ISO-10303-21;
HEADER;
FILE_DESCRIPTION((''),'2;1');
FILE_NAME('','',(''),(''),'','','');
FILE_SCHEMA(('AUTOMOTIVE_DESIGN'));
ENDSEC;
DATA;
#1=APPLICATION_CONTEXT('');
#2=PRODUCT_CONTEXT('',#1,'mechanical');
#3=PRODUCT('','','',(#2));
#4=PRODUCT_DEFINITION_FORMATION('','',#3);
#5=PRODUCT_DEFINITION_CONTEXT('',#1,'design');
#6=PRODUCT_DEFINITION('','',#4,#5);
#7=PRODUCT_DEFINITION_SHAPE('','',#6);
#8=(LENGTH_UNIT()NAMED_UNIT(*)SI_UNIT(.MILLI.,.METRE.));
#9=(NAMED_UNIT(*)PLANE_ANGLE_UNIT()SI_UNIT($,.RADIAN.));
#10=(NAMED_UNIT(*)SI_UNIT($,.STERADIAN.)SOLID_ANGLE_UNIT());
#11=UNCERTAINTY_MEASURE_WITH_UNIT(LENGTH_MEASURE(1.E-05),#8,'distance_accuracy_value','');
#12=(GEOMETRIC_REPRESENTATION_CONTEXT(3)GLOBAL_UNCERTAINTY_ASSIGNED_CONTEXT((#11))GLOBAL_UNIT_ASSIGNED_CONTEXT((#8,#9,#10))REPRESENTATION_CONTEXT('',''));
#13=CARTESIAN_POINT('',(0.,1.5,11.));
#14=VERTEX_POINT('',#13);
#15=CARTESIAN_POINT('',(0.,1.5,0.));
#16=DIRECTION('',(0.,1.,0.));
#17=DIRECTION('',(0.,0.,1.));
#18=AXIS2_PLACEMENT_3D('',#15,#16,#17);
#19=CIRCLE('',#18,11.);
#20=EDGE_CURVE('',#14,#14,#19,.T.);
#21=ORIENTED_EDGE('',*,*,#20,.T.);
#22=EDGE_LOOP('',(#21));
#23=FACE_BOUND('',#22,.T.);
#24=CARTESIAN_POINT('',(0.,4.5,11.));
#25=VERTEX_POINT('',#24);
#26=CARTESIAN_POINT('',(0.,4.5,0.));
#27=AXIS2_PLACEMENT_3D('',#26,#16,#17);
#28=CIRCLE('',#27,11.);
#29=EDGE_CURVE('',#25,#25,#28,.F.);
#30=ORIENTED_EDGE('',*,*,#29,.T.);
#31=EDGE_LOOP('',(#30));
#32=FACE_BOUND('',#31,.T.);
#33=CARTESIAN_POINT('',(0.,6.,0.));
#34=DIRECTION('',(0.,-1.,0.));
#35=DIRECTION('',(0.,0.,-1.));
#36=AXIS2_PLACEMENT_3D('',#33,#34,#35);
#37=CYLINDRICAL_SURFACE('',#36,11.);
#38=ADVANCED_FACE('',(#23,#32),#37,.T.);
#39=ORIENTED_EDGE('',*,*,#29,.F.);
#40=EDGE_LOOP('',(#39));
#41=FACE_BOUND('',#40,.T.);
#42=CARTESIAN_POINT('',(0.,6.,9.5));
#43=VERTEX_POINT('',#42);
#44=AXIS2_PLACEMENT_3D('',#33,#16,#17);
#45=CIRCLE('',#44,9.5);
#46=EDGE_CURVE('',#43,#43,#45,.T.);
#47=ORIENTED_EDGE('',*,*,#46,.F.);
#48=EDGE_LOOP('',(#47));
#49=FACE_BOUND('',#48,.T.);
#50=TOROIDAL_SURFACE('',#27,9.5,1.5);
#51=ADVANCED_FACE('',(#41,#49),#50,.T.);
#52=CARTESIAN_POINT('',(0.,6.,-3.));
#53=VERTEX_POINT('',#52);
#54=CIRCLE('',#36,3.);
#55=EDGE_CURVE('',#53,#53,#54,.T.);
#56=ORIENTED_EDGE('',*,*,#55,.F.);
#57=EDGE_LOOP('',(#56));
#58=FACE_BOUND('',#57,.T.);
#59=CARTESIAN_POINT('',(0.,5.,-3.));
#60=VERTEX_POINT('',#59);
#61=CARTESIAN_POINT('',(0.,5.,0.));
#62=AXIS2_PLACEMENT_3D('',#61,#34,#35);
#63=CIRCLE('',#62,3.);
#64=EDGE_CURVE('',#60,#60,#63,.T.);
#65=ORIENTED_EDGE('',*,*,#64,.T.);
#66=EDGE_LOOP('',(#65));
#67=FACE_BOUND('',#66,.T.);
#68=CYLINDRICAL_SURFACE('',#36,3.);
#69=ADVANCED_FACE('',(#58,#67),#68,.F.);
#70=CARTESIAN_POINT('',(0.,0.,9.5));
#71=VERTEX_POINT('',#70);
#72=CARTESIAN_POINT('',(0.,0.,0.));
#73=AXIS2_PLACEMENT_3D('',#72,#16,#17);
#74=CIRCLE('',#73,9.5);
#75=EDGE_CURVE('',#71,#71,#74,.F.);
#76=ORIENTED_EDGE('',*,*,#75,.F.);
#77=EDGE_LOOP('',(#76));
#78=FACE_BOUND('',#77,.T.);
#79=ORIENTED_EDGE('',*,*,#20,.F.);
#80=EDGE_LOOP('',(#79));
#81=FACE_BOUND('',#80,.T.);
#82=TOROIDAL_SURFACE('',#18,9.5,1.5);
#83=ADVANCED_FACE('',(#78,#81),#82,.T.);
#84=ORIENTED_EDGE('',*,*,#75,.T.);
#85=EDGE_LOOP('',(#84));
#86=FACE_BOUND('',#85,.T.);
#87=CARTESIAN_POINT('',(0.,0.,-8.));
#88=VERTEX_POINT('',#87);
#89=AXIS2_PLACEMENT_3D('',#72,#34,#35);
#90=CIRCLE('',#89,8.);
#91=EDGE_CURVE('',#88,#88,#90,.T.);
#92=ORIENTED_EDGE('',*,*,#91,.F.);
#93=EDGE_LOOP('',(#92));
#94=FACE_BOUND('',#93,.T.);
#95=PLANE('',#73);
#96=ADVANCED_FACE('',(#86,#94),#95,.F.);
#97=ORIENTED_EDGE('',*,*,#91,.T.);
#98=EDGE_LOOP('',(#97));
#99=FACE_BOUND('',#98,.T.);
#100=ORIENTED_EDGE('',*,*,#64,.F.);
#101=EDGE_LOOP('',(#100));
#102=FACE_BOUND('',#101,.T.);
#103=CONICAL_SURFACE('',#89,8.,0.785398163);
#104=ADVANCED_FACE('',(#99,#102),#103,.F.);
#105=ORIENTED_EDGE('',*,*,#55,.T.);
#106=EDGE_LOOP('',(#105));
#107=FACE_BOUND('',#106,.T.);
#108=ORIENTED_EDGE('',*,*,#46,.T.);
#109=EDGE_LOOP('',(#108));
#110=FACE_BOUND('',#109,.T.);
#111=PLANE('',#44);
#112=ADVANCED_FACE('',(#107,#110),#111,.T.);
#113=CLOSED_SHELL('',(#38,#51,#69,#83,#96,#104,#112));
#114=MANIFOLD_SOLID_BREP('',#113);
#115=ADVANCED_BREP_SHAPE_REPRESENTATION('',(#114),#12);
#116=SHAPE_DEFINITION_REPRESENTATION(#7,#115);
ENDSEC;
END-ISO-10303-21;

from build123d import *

# Parameters (mm, degrees)
ESBO_O1_R                = 11
RESSALTO_EXTRUS_O1_DEPTH = 6
ESBO_O10_R               = 8
CORTE_EXTRUS_O4_DEPTH    = 5
CORTE_EXTRUS_O4_DRAFT    = -45
ESBO_O11_R               = 3
CORTE_EXTRUS_O5_DEPTH    = 17.340134638
FILETE4_R                = 1.5
FILETE5_R                = 1.5


with BuildPart() as part:
    # Esboço1 → Ressalto-extrusão1 (new body)
    with BuildSketch(Plane(origin=(0, 0, 0), x_dir=(1, 0, 0), z_dir=(0, 1, 0))):
        with Locations(Location((0, 0, 0), (0, 0, 270))):
            Circle(ESBO_O1_R)
    extrude(amount=RESSALTO_EXTRUS_O1_DEPTH)


with BuildPart() as corte_extrus_o4_tool:
    # Esboço10 → Corte-extrusão4 (with draft: the straight prism first)
    with BuildSketch(Plane.XZ):
        Circle(ESBO_O10_R)
    extrude(amount=-CORTE_EXTRUS_O4_DEPTH)
    # Corte-extrusão4: the draft: its side faces are tilted about the plane it starts from
    corte_extrus_o4_sides = [corte_extrus_o4_tool.faces().sort_by_distance(p)[0] for p in [
        (-8, 2.5, 0),
    ]]
    draft(corte_extrus_o4_sides, Plane.XZ, CORTE_EXTRUS_O4_DRAFT)


with BuildPart() as part_1:
    add(part.part)

    # Corte-extrusão4: cut by corte_extrus_o4_tool
    add(corte_extrus_o4_tool.part, mode=Mode.SUBTRACT)

    # Esboço11 → Corte-extrusão5 (cut, through all)
    with BuildSketch(Plane.XZ.offset(-5)):
        with Locations(Location((0, 0, 0), (0, 0, 270))):
            Circle(ESBO_O11_R)
    extrude(amount=-CORTE_EXTRUS_O5_DEPTH, mode=Mode.SUBTRACT)

    # Filete4
    filete4_edges = [part_1.edges().sort_by_distance(p)[0] for p in [
        (0, 0, -11),
    ]]
    fillet(filete4_edges, radius=FILETE4_R)

    # Filete5
    filete5_edges = [part_1.edges().sort_by_distance(p)[0] for p in [
        (0, 6, -11),
    ]]
    fillet(filete5_edges, radius=FILETE5_R)


solid = part_1.part
